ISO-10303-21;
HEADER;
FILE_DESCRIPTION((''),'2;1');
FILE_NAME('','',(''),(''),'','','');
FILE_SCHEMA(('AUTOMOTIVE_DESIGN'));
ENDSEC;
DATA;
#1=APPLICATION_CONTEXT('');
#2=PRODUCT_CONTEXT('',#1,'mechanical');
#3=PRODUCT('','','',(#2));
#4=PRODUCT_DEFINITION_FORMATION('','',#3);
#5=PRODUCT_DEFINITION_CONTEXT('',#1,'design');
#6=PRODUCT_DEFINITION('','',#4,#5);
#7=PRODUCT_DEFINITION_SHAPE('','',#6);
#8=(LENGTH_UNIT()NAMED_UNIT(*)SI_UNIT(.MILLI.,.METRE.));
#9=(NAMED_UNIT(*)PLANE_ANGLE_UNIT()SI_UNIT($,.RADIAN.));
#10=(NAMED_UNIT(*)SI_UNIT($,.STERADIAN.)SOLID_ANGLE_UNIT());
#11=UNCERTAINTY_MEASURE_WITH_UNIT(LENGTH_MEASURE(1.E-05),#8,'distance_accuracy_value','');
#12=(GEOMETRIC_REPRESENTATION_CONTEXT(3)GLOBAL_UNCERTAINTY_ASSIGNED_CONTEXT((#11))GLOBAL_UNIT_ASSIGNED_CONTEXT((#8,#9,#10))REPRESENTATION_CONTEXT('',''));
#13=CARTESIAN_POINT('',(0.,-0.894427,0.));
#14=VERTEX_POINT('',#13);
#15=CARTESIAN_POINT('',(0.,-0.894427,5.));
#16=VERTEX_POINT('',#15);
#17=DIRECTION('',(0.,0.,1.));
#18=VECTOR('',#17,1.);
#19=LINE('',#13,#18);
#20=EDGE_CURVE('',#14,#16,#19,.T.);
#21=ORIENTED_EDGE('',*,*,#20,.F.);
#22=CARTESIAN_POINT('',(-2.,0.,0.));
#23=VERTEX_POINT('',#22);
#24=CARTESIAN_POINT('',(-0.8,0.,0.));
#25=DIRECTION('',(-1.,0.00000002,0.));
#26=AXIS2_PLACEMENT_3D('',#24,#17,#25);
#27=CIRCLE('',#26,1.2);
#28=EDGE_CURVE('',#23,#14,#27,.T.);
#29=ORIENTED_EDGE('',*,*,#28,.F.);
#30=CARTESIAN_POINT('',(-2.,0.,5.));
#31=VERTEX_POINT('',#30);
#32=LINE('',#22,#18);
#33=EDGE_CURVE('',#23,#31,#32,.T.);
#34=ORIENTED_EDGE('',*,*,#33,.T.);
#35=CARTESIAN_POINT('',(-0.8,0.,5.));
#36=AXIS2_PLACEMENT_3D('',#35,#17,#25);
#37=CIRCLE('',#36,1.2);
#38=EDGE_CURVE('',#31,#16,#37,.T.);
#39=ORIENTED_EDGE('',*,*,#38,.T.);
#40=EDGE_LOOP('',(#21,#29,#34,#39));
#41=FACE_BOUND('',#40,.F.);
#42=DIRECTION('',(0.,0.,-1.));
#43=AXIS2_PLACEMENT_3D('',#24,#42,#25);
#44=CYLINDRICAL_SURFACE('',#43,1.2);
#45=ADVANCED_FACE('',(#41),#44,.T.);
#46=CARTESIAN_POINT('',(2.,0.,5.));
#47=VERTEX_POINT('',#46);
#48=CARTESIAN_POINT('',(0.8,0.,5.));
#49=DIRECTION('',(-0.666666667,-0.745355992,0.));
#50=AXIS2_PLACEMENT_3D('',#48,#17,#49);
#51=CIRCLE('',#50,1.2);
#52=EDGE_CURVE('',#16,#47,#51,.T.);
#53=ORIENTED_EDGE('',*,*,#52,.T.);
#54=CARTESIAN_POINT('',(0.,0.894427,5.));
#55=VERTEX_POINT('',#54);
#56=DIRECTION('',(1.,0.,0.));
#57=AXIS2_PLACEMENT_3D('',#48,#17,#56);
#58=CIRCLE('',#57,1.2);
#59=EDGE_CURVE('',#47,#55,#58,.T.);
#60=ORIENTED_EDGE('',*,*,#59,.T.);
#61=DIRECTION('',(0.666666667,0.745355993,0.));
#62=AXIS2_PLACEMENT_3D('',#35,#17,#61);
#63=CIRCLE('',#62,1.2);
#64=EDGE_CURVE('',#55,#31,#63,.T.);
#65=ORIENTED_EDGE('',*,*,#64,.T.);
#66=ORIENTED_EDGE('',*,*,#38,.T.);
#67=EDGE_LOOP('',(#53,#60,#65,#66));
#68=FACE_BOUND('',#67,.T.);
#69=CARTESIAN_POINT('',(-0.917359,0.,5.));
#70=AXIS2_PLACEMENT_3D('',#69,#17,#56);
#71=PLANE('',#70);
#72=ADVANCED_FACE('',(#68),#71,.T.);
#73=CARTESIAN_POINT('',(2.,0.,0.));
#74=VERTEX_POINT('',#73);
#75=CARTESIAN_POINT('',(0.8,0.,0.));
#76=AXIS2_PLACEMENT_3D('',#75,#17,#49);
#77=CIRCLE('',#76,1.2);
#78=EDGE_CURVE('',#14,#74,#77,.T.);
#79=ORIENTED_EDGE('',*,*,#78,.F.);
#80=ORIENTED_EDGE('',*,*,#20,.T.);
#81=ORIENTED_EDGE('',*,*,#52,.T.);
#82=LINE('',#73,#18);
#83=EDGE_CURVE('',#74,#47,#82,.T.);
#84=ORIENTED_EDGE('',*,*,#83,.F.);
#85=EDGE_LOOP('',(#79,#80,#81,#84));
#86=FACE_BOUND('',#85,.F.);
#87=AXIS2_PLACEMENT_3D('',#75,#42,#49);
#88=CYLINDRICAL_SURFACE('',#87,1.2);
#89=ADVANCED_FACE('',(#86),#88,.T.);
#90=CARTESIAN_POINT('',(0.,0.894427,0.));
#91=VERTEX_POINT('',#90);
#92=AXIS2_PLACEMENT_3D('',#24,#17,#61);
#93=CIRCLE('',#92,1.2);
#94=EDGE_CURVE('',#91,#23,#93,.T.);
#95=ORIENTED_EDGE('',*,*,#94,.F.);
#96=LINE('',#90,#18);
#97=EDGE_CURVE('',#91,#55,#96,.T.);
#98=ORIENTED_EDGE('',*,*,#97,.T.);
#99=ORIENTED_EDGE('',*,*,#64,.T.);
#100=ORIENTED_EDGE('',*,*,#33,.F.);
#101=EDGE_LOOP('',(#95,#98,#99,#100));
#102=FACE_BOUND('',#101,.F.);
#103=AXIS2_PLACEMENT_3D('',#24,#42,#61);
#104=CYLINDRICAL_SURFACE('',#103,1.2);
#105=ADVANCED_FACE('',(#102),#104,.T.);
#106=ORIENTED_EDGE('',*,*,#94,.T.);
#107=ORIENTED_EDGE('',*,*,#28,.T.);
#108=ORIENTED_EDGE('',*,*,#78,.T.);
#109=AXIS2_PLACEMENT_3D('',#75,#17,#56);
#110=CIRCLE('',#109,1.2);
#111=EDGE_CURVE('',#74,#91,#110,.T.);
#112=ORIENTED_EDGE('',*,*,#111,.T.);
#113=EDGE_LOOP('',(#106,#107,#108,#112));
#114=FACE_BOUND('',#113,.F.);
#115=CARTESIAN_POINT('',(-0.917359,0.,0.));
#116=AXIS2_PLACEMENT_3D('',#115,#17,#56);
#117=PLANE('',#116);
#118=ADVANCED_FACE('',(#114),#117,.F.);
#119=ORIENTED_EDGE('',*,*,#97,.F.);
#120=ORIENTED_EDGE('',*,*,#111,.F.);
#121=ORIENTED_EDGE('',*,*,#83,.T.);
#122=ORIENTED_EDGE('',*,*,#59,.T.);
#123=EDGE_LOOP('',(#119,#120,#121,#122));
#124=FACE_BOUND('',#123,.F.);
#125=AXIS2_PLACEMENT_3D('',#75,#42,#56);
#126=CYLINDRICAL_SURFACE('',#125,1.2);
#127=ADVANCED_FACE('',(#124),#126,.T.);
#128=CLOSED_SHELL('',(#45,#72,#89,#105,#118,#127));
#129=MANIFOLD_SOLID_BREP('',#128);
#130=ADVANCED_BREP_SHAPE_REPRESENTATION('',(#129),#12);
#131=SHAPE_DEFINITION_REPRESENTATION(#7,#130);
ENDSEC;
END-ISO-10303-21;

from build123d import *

# Parameters (mm, degrees)
F1_DEPTH = 5


with BuildPart() as f1:
    # F0 (on Top) → F1 (new body)
    with BuildSketch(Plane.XY):
        with BuildLine():
            ThreePointArc((0, 0.894427191), (-1.2898979376, 1.0954451199), (-2, 2.4e-08))
            ThreePointArc((-2, 2.4e-08), (-1.2898979595, -1.0954451101), (0, -0.894427191))
            ThreePointArc((0, -0.894427191), (-0.4, 0), (0, 0.894427191))
        make_face()
        with BuildLine():
            ThreePointArc((0, -0.894427191), (1.2898979486, -1.095445115), (2, 0))
            ThreePointArc((2, 0), (1.2898979486, 1.095445115), (0, 0.894427191))
            ThreePointArc((0, 0.894427191), (0.295445115, 0.4898979486), (0.4, 0))
            ThreePointArc((0.4, 0), (0.295445115, -0.4898979486), (0, -0.894427191))
        make_face()
        with BuildLine():
            ThreePointArc((0.4, 0), (0.295445115, 0.4898979486), (0, 0.894427191))
            ThreePointArc((0, 0.894427191), (-0.4, 0), (0, -0.894427191))
            ThreePointArc((0, -0.894427191), (0.295445115, -0.4898979486), (0.4, 0))
        make_face()
    extrude(amount=F1_DEPTH)


solid = f1.part
